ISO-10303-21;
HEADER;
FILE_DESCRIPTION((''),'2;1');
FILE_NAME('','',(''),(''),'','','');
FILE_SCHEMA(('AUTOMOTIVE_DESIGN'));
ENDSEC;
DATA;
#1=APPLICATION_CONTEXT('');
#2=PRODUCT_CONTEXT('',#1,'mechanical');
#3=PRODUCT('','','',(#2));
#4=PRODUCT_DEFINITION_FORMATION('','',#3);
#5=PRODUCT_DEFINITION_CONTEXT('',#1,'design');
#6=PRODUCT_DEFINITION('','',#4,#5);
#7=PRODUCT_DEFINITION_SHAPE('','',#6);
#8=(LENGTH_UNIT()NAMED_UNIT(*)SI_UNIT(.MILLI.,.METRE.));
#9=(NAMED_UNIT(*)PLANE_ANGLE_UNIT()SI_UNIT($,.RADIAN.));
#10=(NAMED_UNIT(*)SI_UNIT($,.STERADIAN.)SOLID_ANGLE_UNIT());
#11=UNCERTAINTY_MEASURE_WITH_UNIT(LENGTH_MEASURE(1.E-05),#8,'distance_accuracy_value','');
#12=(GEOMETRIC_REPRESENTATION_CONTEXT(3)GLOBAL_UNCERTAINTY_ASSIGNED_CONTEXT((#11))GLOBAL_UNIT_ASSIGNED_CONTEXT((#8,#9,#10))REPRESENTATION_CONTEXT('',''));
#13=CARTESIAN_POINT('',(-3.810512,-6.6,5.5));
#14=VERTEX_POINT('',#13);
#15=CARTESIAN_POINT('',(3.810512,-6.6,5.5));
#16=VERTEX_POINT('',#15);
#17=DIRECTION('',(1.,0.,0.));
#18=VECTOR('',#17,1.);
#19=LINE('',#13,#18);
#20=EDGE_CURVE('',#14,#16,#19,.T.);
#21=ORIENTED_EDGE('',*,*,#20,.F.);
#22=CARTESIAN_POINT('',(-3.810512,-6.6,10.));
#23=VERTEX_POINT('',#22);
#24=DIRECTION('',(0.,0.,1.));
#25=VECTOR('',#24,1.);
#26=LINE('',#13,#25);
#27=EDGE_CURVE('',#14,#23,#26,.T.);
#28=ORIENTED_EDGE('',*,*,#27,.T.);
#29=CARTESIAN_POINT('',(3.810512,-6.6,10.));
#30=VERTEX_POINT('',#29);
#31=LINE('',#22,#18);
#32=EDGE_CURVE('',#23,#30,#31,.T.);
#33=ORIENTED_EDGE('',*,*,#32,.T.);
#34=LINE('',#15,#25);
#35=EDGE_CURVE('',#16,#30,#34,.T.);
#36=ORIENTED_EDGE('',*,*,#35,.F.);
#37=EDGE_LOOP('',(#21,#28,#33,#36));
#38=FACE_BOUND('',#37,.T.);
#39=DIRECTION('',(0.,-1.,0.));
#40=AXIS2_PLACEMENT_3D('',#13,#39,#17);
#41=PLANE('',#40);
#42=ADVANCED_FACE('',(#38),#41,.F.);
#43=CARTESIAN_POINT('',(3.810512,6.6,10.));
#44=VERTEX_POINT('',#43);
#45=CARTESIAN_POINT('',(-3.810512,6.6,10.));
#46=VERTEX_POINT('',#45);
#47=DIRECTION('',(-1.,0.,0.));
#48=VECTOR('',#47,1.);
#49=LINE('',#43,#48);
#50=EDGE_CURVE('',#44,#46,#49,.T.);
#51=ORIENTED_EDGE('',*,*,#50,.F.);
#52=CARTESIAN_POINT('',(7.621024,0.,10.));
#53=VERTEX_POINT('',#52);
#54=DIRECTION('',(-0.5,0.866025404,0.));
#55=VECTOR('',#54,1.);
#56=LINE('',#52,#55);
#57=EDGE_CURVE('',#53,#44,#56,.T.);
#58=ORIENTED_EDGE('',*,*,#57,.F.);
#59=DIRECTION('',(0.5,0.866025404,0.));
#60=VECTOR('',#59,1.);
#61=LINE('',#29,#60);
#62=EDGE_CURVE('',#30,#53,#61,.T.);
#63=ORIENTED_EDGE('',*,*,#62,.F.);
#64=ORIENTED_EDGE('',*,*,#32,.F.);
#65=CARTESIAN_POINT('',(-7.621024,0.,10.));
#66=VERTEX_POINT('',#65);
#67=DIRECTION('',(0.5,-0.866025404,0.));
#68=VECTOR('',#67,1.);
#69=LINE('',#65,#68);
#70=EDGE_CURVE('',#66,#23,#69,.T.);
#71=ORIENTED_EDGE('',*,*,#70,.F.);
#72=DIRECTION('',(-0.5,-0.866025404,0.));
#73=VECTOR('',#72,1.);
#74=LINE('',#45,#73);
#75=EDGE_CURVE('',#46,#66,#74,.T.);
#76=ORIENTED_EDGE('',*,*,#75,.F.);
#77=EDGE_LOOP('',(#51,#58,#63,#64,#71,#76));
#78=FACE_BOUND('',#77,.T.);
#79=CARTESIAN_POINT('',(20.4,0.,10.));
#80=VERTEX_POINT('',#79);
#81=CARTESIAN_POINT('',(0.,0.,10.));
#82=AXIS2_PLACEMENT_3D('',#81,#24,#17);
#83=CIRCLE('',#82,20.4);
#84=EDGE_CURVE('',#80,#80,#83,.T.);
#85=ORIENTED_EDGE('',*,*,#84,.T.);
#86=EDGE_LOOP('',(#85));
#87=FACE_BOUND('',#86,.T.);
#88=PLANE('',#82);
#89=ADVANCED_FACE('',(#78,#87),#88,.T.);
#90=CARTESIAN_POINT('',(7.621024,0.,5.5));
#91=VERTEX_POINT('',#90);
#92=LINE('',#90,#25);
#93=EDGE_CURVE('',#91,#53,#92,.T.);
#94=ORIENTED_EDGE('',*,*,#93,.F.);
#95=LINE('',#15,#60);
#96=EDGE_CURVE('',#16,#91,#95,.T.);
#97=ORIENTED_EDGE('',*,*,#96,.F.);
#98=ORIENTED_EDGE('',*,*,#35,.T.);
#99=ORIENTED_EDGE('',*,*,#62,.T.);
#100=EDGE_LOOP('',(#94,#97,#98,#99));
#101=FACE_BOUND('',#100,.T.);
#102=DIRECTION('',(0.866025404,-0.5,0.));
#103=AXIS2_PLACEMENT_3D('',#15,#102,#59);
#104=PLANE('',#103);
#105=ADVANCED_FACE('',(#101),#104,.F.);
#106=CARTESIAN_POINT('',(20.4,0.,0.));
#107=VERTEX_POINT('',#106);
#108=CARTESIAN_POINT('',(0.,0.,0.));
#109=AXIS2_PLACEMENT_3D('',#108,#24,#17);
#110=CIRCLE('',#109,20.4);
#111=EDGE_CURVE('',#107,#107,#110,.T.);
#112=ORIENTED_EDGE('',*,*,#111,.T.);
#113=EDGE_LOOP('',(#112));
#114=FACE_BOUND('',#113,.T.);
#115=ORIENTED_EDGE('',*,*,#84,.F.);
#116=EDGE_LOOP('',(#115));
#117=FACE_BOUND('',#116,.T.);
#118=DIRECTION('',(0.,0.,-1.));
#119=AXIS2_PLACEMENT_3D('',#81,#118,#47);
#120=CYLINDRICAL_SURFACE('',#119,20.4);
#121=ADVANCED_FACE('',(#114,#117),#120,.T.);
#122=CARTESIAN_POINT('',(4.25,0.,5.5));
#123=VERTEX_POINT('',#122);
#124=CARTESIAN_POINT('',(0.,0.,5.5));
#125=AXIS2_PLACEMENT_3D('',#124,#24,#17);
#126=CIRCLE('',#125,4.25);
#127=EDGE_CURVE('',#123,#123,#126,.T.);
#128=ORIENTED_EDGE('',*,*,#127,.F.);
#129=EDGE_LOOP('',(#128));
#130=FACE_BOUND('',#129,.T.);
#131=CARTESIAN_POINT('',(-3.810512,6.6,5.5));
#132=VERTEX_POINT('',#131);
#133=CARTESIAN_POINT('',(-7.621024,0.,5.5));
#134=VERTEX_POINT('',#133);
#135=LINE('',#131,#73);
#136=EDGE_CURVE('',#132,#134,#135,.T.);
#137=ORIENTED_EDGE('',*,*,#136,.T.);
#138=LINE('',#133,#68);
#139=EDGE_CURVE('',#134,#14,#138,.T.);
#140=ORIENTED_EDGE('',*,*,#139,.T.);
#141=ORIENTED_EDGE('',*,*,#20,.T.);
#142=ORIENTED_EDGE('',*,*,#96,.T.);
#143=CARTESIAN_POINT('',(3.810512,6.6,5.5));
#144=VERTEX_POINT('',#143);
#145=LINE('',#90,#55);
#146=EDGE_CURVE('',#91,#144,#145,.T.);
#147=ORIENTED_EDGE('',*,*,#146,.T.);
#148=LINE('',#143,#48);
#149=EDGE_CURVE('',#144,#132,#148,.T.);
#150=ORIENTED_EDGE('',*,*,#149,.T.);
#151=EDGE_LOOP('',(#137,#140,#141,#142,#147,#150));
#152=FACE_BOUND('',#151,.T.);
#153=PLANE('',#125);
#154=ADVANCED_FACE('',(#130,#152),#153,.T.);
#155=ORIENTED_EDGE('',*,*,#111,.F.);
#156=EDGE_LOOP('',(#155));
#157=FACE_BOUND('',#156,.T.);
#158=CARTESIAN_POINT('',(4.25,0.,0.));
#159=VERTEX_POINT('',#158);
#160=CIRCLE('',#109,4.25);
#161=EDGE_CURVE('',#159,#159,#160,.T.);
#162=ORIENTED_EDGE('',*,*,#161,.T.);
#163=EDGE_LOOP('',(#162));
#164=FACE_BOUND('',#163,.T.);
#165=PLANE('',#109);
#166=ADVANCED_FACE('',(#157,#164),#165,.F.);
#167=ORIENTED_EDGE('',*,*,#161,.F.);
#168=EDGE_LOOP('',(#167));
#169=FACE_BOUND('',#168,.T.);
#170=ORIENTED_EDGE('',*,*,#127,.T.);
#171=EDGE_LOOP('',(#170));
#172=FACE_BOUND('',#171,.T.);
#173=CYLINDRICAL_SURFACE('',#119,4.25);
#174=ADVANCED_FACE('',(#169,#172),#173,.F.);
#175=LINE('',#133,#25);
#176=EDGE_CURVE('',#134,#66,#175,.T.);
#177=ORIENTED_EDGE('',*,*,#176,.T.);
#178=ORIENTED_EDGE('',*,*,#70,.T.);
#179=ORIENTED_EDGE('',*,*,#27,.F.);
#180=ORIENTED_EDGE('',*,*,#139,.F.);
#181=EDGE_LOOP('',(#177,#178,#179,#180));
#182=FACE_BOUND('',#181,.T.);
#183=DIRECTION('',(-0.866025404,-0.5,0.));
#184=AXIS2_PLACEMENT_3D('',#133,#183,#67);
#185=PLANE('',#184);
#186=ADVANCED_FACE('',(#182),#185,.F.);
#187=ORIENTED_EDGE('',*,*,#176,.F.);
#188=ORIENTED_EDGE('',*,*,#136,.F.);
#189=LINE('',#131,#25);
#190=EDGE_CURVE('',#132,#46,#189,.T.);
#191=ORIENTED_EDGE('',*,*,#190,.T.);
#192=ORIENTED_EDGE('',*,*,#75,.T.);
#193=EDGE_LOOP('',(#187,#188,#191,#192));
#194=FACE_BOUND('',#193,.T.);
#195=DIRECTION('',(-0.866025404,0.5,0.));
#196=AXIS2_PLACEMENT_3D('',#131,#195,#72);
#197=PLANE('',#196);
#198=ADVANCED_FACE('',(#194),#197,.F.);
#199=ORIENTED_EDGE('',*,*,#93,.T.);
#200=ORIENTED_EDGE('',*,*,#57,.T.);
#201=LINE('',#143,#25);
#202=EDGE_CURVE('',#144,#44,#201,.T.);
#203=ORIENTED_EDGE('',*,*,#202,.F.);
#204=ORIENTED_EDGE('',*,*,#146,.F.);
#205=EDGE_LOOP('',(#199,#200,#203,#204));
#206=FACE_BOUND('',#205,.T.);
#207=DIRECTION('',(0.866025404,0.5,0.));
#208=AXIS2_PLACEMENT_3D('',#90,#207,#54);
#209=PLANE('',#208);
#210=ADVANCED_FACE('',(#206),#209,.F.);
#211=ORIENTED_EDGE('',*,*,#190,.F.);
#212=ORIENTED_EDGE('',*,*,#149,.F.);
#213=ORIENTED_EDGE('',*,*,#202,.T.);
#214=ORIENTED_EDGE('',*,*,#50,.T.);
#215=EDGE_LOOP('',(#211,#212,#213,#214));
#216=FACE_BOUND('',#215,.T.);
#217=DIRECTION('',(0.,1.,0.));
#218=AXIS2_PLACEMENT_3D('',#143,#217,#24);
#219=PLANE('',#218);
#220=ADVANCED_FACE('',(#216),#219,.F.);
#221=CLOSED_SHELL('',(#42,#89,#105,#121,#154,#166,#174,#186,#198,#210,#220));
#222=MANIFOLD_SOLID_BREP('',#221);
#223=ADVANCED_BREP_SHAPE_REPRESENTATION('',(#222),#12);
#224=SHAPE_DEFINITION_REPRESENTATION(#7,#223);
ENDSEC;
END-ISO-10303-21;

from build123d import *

# Parameters (mm, degrees)
ESBO_O1_R                = 20.4
ESBO_O1_R_2              = 4.25
RESSALTO_EXTRUS_O1_DEPTH = 10
CORTE_EXTRUS_O1_DEPTH    = 4.5


with BuildPart() as part:
    # Esboço1 → Ressalto-extrusão1 (new body)
    with BuildSketch(Plane.XY):
        Circle(ESBO_O1_R)
        Circle(ESBO_O1_R_2, mode=Mode.SUBTRACT)
    extrude(amount=RESSALTO_EXTRUS_O1_DEPTH)

    # Esboço2 → Corte-extrusão1 (cut)
    with BuildSketch(Plane.XY.offset(10)):
        Polygon((3.810511777, -6.6), (7.621023553, 0), (3.810511777, 6.6), (-3.810511777, 6.6), (-7.621023553, 0), (-3.810511777, -6.6), align=None)
    extrude(amount=-CORTE_EXTRUS_O1_DEPTH, mode=Mode.SUBTRACT)


solid = part.part
